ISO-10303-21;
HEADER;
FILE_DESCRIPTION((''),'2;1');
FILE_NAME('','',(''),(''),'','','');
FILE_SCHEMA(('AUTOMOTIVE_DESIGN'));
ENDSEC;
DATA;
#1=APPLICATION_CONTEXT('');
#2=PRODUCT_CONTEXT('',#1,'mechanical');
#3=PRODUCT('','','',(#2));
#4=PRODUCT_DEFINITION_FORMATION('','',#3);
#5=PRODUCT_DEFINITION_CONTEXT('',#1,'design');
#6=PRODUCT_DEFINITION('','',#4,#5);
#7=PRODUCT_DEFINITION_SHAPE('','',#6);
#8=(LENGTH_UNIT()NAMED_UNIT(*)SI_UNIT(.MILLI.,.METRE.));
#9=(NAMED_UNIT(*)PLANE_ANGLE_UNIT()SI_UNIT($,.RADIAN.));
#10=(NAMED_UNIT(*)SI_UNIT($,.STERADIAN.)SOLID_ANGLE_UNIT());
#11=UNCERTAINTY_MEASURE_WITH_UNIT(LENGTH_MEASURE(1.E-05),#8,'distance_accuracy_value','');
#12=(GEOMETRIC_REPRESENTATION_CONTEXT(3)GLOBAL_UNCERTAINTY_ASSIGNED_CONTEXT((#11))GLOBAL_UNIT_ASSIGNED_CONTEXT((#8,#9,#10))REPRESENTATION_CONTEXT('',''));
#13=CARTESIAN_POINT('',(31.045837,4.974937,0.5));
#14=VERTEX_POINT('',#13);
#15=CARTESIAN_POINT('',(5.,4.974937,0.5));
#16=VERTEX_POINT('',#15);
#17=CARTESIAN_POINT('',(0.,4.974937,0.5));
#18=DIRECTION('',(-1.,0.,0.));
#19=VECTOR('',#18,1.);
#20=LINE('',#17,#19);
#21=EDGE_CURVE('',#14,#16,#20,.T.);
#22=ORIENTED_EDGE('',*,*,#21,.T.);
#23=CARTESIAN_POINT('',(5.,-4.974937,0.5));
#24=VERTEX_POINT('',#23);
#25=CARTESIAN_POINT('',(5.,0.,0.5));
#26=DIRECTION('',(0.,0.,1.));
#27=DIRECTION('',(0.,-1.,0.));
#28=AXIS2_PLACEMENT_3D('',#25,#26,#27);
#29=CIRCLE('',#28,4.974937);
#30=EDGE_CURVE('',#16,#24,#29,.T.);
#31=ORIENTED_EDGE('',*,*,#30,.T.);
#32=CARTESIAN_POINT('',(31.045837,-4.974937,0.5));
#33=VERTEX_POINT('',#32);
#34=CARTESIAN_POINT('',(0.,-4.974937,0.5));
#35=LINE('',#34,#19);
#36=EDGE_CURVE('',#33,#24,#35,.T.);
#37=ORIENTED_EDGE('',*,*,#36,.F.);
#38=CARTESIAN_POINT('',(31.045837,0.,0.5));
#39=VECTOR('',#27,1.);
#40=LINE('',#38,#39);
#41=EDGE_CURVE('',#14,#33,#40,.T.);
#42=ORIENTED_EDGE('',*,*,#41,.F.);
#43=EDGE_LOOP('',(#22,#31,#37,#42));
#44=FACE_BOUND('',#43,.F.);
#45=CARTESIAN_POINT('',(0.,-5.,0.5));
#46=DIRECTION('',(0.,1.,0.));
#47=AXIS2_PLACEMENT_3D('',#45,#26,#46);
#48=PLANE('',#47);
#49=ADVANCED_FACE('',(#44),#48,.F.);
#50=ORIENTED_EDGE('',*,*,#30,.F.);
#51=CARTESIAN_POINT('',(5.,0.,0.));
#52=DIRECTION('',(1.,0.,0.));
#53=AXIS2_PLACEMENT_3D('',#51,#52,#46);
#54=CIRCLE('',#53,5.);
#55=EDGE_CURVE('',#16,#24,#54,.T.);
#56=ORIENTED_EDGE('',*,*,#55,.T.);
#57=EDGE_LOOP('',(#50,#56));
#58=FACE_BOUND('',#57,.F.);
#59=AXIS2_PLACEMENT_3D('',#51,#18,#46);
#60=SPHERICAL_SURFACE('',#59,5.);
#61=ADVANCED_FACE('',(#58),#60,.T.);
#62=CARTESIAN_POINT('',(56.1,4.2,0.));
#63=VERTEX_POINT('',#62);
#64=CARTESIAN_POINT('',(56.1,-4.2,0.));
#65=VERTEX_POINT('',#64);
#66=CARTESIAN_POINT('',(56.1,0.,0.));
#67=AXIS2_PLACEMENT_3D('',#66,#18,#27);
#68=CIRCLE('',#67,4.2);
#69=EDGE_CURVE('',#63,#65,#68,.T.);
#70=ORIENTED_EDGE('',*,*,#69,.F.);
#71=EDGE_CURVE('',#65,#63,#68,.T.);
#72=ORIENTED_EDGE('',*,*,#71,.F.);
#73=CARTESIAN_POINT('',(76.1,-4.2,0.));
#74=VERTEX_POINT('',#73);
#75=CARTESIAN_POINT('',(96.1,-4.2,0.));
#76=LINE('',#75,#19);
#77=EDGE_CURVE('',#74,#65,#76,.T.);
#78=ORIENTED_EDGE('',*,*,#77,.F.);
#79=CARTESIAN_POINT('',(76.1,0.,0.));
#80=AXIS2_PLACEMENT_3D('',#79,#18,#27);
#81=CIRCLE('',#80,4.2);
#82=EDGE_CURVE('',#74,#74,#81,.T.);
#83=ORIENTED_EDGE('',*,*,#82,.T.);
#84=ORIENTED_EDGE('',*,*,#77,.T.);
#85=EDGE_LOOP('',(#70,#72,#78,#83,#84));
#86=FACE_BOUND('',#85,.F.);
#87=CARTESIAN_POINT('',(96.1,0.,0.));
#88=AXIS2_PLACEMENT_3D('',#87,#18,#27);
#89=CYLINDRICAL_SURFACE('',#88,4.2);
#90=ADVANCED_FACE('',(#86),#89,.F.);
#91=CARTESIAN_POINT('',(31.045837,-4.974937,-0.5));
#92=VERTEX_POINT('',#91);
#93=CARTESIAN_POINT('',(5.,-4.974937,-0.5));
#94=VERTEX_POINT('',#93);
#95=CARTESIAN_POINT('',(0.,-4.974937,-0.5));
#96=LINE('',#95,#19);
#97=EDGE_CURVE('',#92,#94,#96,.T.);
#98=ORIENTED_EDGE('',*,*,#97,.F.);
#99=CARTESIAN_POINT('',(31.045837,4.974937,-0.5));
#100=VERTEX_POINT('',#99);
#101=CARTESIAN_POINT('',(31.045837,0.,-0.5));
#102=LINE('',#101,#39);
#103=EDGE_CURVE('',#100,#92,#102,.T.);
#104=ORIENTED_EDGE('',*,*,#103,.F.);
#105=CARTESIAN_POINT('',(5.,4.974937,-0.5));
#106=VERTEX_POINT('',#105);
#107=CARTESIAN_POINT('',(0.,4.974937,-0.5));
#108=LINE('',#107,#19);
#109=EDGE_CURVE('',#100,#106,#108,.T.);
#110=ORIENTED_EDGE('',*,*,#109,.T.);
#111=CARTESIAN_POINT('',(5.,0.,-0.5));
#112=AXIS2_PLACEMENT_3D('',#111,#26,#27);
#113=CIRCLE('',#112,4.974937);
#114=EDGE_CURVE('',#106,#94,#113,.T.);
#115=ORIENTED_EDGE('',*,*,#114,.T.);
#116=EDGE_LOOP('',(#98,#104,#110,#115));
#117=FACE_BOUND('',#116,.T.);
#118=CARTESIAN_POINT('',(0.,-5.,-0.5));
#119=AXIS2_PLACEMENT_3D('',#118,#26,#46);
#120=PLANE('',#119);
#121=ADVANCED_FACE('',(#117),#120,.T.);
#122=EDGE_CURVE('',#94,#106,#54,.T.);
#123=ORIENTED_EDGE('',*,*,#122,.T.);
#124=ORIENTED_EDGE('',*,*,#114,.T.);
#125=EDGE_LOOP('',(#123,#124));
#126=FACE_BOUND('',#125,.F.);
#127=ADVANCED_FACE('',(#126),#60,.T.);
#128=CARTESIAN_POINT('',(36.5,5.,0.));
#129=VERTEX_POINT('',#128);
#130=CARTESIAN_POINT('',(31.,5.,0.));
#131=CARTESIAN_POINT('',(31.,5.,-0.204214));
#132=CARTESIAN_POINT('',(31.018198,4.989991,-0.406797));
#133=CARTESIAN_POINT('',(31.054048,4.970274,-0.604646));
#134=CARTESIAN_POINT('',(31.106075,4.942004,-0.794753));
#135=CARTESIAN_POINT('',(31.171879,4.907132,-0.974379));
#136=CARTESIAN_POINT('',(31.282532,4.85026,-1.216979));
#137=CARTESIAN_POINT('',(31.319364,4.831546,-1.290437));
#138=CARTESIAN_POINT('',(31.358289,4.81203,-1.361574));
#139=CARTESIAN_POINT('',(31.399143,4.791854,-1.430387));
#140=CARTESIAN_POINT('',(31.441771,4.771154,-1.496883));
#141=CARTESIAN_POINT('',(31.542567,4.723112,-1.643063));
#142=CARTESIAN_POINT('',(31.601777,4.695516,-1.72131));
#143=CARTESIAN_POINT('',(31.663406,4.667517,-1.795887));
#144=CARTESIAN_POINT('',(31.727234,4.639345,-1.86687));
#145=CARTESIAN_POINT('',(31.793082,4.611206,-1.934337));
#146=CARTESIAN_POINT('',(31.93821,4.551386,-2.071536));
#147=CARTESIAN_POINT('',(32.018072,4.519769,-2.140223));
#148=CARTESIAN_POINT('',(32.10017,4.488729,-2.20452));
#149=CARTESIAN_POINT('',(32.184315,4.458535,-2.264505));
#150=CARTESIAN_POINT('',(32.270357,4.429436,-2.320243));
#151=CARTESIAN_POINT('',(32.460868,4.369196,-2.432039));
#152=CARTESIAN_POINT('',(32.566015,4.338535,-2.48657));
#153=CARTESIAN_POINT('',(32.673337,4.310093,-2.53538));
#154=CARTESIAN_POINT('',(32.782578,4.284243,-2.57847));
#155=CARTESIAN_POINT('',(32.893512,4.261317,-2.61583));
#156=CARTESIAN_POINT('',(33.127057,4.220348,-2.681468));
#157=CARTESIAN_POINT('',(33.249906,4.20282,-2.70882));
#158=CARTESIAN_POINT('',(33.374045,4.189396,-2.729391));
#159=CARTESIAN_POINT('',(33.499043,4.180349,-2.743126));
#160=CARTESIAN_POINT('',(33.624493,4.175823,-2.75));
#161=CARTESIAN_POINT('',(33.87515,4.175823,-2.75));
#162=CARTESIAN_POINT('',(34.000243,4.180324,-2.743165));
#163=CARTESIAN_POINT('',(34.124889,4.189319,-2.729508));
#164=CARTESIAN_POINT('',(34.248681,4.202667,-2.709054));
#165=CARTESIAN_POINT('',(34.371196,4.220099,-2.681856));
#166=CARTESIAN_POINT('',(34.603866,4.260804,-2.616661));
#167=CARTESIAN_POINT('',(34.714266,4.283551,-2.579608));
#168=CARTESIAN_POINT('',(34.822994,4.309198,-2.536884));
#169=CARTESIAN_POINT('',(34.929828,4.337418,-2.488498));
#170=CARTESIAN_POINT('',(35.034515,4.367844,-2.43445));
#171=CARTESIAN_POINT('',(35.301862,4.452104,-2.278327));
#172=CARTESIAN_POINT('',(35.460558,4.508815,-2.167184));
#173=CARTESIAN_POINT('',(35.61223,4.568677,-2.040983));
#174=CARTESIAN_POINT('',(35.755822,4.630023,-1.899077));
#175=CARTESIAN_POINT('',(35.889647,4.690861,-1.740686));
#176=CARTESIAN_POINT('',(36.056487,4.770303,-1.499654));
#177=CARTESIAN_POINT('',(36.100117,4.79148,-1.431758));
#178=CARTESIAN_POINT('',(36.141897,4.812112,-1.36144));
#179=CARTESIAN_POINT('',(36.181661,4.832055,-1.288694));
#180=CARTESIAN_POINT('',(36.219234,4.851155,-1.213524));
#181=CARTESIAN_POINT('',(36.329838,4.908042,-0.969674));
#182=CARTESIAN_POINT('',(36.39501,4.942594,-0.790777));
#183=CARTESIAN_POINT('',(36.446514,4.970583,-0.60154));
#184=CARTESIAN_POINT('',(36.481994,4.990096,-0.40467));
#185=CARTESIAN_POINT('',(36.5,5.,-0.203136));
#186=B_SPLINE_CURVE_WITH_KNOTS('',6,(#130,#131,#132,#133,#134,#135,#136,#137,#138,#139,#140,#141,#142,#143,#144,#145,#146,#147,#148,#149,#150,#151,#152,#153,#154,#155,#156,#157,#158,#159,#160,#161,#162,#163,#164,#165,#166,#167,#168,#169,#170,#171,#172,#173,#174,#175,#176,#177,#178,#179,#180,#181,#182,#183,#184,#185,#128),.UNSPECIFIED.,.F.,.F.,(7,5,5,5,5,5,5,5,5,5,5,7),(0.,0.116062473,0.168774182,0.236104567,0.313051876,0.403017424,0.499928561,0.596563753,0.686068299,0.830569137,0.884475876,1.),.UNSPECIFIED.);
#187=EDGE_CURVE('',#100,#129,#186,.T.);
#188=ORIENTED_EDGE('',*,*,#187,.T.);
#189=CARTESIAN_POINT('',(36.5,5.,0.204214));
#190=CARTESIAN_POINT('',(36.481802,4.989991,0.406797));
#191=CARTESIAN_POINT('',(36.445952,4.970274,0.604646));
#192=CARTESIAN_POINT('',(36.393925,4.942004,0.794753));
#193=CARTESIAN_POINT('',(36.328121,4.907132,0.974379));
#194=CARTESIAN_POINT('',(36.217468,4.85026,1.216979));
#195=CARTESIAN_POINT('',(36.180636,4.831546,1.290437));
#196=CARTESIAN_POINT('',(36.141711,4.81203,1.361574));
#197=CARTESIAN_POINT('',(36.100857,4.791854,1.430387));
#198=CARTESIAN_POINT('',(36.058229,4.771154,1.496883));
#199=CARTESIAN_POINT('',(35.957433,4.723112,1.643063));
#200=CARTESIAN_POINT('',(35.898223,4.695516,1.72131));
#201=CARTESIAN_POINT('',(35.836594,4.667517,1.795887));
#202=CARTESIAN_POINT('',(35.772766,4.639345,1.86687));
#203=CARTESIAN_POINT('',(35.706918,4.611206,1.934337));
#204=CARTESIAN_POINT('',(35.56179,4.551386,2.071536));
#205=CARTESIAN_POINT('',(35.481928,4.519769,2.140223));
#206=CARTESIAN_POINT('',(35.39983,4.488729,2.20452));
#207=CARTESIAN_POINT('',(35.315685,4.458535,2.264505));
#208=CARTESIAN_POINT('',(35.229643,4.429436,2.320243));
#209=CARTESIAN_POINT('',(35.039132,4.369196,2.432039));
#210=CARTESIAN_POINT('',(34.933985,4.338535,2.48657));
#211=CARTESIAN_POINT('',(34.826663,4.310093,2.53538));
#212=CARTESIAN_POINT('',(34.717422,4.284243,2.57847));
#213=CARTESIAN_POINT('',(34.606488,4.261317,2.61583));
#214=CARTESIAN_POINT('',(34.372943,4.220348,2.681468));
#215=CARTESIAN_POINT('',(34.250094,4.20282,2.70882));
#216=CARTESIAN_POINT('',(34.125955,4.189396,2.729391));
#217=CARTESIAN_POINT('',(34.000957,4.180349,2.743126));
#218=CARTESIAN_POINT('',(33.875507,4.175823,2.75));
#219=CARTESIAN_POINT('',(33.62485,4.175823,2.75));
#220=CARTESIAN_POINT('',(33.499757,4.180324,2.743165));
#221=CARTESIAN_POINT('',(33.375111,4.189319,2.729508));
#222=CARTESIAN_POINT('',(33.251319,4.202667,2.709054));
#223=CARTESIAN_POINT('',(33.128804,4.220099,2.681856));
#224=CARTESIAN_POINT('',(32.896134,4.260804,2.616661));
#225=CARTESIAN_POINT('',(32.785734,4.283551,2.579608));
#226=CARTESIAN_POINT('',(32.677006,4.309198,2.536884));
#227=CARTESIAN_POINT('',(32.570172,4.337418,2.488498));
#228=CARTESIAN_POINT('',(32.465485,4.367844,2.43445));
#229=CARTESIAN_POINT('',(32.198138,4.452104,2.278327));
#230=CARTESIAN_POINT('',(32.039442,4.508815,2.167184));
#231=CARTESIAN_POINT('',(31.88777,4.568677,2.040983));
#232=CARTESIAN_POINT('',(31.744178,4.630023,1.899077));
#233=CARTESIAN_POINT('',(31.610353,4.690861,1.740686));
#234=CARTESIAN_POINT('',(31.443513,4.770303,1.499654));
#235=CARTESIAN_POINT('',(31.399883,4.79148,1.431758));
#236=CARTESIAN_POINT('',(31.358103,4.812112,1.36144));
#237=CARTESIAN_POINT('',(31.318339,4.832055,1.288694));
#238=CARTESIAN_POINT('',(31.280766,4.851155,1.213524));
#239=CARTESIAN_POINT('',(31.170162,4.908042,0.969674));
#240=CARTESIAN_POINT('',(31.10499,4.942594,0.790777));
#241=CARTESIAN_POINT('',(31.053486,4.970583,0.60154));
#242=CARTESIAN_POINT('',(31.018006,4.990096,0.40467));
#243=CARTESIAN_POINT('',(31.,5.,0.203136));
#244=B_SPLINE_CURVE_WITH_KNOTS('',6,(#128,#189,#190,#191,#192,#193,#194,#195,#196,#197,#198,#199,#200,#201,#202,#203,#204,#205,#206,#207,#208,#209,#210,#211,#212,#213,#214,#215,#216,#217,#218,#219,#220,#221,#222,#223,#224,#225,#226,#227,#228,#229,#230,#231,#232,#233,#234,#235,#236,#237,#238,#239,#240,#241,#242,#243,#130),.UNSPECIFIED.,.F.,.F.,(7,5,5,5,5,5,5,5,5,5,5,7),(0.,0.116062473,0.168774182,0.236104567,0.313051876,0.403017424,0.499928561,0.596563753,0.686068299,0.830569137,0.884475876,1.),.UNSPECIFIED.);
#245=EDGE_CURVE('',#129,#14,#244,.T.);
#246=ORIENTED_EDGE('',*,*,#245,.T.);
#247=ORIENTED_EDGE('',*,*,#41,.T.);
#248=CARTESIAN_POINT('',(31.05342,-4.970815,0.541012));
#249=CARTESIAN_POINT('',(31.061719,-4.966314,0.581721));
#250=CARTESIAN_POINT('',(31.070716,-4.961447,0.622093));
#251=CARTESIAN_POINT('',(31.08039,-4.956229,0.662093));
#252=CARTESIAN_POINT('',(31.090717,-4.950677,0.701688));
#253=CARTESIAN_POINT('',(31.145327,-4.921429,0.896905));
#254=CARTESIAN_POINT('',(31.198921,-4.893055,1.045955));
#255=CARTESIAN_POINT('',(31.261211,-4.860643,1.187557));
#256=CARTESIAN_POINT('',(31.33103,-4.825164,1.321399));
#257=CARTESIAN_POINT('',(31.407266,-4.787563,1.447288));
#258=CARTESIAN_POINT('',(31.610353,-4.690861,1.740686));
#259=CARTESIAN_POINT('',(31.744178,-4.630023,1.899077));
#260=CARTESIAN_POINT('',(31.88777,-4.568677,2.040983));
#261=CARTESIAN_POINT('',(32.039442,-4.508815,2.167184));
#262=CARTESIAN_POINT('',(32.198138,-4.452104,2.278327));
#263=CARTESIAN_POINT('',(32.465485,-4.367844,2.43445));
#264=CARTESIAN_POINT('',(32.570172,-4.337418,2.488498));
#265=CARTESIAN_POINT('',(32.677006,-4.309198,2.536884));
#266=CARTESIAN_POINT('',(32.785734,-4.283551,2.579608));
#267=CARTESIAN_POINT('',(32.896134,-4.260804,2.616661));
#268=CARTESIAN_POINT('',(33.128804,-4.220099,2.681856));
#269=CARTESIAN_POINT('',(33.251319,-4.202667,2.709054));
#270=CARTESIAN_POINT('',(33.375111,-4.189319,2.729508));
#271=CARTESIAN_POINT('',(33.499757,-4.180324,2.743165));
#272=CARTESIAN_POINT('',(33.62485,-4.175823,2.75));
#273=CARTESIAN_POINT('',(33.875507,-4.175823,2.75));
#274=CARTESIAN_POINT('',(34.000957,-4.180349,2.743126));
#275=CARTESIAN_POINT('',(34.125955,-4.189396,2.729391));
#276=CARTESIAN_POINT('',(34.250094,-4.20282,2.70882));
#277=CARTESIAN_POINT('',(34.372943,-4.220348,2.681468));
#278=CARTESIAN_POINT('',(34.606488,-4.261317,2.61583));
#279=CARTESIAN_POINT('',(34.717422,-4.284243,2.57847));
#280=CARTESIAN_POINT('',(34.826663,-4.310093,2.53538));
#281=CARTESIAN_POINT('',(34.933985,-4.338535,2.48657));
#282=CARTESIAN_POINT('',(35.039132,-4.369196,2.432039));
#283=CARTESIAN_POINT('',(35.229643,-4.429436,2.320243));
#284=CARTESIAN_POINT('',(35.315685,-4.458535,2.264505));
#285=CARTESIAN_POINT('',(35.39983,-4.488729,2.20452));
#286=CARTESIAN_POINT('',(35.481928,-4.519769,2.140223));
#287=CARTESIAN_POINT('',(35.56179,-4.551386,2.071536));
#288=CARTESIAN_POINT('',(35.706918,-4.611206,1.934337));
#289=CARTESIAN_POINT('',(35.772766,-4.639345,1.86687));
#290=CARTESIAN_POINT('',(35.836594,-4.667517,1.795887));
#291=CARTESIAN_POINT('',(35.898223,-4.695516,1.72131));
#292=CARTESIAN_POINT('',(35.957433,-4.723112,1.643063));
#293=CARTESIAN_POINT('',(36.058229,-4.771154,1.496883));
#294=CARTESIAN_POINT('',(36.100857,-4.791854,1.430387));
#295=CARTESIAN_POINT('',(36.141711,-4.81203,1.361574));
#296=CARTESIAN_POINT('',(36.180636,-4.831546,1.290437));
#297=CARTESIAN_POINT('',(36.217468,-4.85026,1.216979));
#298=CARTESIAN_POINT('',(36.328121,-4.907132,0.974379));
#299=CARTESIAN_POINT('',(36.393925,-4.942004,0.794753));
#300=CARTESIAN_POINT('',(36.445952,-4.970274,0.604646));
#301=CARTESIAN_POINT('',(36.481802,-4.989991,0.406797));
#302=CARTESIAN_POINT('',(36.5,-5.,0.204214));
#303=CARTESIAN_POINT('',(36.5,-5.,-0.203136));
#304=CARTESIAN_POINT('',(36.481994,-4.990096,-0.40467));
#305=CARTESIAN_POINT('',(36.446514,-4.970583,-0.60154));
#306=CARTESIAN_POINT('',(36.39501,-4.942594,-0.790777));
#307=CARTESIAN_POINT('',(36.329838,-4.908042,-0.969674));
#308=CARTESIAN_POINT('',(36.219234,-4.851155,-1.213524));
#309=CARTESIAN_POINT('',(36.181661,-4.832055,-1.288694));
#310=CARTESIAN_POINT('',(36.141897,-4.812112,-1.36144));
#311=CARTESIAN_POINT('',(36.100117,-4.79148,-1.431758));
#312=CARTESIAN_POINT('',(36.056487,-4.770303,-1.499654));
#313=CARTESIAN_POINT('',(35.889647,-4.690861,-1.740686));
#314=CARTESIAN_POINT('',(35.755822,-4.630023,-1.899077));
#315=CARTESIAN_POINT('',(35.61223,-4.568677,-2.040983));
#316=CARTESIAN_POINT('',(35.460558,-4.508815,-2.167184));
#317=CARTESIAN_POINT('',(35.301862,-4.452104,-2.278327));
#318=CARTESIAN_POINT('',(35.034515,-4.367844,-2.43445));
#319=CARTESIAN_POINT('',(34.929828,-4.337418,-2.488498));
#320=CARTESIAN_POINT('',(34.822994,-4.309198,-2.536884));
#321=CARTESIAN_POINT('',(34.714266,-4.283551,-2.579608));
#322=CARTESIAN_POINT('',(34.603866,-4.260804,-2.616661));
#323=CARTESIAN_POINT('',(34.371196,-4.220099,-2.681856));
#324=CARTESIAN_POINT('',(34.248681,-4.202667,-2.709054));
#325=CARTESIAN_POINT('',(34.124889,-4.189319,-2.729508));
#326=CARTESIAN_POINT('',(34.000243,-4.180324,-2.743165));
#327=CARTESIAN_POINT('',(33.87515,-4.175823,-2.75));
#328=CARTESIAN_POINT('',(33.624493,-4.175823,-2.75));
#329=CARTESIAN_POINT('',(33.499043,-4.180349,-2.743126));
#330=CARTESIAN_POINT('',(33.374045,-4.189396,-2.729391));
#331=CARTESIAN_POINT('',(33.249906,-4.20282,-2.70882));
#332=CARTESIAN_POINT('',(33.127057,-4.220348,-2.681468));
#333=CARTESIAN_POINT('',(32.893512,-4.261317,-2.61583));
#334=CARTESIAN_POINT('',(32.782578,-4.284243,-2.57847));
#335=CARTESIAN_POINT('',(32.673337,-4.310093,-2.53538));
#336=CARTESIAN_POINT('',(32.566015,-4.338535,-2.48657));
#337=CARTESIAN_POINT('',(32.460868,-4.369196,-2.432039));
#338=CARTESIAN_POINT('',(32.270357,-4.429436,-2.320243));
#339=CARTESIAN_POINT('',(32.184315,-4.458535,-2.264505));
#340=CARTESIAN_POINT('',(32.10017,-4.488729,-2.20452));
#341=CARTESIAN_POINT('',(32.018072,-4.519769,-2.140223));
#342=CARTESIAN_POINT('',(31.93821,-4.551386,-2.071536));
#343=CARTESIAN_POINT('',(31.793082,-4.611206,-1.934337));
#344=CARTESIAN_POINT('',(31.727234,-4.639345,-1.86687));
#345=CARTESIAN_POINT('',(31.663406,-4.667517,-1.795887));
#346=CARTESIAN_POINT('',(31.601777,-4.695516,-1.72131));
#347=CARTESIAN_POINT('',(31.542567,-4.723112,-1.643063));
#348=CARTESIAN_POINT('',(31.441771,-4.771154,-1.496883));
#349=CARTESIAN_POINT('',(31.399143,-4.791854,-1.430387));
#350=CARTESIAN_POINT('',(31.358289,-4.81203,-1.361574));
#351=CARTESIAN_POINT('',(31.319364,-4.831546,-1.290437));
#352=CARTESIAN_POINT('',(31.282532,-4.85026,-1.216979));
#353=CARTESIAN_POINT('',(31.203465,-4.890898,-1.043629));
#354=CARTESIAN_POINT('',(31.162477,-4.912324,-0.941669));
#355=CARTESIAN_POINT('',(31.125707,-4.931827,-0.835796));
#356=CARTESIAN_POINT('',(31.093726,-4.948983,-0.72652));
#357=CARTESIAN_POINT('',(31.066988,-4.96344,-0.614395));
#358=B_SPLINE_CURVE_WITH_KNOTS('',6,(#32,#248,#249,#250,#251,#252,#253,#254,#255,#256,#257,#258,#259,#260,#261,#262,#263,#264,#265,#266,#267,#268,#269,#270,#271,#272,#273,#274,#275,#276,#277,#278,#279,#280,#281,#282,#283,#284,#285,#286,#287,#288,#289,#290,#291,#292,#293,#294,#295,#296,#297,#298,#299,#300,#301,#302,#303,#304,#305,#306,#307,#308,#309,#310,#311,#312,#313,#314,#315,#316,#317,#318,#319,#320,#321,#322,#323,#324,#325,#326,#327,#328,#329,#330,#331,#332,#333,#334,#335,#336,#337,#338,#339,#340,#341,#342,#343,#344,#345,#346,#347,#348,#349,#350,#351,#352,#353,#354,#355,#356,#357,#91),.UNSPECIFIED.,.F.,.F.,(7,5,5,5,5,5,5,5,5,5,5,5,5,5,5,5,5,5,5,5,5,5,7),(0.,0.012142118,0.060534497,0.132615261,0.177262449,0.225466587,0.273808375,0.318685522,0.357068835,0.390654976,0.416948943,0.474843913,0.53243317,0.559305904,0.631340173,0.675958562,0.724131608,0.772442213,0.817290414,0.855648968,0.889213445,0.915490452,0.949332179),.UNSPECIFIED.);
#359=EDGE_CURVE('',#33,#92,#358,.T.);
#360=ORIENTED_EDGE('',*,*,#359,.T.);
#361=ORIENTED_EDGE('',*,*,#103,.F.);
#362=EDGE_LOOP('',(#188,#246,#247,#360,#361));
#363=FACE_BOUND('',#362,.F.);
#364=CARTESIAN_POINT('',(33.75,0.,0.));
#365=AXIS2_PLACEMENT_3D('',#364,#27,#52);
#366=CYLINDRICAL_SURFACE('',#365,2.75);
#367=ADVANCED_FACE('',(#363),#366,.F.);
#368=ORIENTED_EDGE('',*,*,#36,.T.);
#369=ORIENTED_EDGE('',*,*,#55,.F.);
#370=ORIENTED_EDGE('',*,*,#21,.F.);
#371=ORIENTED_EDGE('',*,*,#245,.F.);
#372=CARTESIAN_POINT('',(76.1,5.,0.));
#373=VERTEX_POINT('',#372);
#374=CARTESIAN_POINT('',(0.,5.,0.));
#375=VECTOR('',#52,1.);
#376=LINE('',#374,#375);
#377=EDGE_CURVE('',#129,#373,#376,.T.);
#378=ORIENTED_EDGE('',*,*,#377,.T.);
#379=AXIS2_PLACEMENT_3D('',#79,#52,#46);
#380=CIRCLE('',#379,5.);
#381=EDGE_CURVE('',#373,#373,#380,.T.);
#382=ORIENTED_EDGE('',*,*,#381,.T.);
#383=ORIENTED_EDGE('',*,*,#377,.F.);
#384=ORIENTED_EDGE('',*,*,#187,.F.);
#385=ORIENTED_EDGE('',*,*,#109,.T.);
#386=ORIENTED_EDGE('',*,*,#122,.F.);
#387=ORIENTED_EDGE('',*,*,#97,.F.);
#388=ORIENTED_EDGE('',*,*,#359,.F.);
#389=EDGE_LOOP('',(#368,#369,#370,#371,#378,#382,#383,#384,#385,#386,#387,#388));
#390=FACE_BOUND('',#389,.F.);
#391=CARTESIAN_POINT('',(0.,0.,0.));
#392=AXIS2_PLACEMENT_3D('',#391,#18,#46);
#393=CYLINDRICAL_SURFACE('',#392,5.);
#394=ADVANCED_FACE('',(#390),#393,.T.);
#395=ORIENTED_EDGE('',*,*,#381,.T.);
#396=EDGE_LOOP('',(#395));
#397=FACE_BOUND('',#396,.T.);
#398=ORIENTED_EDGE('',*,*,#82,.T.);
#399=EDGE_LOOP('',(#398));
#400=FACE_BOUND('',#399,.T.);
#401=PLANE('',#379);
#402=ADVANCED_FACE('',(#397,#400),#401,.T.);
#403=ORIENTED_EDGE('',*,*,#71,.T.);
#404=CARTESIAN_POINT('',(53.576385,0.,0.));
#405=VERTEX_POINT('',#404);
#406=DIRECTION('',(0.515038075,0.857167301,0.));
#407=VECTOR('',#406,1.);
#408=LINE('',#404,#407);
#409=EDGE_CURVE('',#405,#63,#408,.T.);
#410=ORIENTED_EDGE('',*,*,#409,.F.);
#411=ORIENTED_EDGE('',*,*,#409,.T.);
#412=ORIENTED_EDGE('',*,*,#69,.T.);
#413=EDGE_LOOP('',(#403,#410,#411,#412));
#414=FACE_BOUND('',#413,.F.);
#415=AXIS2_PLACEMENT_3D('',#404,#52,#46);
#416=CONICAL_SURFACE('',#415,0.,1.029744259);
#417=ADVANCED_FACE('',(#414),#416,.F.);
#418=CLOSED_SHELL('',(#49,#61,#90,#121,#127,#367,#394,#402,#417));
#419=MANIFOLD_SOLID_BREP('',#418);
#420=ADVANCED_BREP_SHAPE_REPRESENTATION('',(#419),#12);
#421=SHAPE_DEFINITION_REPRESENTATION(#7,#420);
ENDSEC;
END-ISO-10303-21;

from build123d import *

# Parameters (mm, degrees)
F0_R     = 5
F1_DEPTH = 76.1
F2_R     = 5
F3_W     = 10
F3_H     = 1
F4_DEPTH = 33.75
F5_R     = 2.75
F6_DEPTH = 12.5
F8_D     = 8.4
F8_DEPTH = 20
F8_TIP   = 2.5236145999


with BuildPart() as f1:
    # F0 (on Right) → F1 (new body)
    with BuildSketch(Plane.YZ):
        Circle(F0_R)
    extrude(amount=F1_DEPTH)

    # F2
    f2_edges = [f1.edges().sort_by_distance(p)[0] for p in [
        (0, -5, 0),
    ]]
    fillet(f2_edges, radius=F2_R)

    # F3 (on Right) → F4 (cut)
    with BuildSketch(Plane.YZ):
        Rectangle(F3_W, F3_H)
    extrude(amount=F4_DEPTH, mode=Mode.SUBTRACT)

    # F5 (on Front) → F6 (cut, symmetric)
    with BuildSketch(Plane.XZ):
        with Locations((33.75, 0)):
            Circle(F5_R)
    extrude(amount=F6_DEPTH, both=True, mode=Mode.SUBTRACT)

    # F8
    with Locations(Plane.YZ.offset(76.1)):
        with Locations((0, 0)):
            Hole(F8_D / 2, depth=F8_DEPTH)
            with Locations((0, 0, -(F8_DEPTH + F8_TIP / 2))):  # 118° drill point
                Cone(0, F8_D / 2, F8_TIP, mode=Mode.SUBTRACT)


solid = f1.part
